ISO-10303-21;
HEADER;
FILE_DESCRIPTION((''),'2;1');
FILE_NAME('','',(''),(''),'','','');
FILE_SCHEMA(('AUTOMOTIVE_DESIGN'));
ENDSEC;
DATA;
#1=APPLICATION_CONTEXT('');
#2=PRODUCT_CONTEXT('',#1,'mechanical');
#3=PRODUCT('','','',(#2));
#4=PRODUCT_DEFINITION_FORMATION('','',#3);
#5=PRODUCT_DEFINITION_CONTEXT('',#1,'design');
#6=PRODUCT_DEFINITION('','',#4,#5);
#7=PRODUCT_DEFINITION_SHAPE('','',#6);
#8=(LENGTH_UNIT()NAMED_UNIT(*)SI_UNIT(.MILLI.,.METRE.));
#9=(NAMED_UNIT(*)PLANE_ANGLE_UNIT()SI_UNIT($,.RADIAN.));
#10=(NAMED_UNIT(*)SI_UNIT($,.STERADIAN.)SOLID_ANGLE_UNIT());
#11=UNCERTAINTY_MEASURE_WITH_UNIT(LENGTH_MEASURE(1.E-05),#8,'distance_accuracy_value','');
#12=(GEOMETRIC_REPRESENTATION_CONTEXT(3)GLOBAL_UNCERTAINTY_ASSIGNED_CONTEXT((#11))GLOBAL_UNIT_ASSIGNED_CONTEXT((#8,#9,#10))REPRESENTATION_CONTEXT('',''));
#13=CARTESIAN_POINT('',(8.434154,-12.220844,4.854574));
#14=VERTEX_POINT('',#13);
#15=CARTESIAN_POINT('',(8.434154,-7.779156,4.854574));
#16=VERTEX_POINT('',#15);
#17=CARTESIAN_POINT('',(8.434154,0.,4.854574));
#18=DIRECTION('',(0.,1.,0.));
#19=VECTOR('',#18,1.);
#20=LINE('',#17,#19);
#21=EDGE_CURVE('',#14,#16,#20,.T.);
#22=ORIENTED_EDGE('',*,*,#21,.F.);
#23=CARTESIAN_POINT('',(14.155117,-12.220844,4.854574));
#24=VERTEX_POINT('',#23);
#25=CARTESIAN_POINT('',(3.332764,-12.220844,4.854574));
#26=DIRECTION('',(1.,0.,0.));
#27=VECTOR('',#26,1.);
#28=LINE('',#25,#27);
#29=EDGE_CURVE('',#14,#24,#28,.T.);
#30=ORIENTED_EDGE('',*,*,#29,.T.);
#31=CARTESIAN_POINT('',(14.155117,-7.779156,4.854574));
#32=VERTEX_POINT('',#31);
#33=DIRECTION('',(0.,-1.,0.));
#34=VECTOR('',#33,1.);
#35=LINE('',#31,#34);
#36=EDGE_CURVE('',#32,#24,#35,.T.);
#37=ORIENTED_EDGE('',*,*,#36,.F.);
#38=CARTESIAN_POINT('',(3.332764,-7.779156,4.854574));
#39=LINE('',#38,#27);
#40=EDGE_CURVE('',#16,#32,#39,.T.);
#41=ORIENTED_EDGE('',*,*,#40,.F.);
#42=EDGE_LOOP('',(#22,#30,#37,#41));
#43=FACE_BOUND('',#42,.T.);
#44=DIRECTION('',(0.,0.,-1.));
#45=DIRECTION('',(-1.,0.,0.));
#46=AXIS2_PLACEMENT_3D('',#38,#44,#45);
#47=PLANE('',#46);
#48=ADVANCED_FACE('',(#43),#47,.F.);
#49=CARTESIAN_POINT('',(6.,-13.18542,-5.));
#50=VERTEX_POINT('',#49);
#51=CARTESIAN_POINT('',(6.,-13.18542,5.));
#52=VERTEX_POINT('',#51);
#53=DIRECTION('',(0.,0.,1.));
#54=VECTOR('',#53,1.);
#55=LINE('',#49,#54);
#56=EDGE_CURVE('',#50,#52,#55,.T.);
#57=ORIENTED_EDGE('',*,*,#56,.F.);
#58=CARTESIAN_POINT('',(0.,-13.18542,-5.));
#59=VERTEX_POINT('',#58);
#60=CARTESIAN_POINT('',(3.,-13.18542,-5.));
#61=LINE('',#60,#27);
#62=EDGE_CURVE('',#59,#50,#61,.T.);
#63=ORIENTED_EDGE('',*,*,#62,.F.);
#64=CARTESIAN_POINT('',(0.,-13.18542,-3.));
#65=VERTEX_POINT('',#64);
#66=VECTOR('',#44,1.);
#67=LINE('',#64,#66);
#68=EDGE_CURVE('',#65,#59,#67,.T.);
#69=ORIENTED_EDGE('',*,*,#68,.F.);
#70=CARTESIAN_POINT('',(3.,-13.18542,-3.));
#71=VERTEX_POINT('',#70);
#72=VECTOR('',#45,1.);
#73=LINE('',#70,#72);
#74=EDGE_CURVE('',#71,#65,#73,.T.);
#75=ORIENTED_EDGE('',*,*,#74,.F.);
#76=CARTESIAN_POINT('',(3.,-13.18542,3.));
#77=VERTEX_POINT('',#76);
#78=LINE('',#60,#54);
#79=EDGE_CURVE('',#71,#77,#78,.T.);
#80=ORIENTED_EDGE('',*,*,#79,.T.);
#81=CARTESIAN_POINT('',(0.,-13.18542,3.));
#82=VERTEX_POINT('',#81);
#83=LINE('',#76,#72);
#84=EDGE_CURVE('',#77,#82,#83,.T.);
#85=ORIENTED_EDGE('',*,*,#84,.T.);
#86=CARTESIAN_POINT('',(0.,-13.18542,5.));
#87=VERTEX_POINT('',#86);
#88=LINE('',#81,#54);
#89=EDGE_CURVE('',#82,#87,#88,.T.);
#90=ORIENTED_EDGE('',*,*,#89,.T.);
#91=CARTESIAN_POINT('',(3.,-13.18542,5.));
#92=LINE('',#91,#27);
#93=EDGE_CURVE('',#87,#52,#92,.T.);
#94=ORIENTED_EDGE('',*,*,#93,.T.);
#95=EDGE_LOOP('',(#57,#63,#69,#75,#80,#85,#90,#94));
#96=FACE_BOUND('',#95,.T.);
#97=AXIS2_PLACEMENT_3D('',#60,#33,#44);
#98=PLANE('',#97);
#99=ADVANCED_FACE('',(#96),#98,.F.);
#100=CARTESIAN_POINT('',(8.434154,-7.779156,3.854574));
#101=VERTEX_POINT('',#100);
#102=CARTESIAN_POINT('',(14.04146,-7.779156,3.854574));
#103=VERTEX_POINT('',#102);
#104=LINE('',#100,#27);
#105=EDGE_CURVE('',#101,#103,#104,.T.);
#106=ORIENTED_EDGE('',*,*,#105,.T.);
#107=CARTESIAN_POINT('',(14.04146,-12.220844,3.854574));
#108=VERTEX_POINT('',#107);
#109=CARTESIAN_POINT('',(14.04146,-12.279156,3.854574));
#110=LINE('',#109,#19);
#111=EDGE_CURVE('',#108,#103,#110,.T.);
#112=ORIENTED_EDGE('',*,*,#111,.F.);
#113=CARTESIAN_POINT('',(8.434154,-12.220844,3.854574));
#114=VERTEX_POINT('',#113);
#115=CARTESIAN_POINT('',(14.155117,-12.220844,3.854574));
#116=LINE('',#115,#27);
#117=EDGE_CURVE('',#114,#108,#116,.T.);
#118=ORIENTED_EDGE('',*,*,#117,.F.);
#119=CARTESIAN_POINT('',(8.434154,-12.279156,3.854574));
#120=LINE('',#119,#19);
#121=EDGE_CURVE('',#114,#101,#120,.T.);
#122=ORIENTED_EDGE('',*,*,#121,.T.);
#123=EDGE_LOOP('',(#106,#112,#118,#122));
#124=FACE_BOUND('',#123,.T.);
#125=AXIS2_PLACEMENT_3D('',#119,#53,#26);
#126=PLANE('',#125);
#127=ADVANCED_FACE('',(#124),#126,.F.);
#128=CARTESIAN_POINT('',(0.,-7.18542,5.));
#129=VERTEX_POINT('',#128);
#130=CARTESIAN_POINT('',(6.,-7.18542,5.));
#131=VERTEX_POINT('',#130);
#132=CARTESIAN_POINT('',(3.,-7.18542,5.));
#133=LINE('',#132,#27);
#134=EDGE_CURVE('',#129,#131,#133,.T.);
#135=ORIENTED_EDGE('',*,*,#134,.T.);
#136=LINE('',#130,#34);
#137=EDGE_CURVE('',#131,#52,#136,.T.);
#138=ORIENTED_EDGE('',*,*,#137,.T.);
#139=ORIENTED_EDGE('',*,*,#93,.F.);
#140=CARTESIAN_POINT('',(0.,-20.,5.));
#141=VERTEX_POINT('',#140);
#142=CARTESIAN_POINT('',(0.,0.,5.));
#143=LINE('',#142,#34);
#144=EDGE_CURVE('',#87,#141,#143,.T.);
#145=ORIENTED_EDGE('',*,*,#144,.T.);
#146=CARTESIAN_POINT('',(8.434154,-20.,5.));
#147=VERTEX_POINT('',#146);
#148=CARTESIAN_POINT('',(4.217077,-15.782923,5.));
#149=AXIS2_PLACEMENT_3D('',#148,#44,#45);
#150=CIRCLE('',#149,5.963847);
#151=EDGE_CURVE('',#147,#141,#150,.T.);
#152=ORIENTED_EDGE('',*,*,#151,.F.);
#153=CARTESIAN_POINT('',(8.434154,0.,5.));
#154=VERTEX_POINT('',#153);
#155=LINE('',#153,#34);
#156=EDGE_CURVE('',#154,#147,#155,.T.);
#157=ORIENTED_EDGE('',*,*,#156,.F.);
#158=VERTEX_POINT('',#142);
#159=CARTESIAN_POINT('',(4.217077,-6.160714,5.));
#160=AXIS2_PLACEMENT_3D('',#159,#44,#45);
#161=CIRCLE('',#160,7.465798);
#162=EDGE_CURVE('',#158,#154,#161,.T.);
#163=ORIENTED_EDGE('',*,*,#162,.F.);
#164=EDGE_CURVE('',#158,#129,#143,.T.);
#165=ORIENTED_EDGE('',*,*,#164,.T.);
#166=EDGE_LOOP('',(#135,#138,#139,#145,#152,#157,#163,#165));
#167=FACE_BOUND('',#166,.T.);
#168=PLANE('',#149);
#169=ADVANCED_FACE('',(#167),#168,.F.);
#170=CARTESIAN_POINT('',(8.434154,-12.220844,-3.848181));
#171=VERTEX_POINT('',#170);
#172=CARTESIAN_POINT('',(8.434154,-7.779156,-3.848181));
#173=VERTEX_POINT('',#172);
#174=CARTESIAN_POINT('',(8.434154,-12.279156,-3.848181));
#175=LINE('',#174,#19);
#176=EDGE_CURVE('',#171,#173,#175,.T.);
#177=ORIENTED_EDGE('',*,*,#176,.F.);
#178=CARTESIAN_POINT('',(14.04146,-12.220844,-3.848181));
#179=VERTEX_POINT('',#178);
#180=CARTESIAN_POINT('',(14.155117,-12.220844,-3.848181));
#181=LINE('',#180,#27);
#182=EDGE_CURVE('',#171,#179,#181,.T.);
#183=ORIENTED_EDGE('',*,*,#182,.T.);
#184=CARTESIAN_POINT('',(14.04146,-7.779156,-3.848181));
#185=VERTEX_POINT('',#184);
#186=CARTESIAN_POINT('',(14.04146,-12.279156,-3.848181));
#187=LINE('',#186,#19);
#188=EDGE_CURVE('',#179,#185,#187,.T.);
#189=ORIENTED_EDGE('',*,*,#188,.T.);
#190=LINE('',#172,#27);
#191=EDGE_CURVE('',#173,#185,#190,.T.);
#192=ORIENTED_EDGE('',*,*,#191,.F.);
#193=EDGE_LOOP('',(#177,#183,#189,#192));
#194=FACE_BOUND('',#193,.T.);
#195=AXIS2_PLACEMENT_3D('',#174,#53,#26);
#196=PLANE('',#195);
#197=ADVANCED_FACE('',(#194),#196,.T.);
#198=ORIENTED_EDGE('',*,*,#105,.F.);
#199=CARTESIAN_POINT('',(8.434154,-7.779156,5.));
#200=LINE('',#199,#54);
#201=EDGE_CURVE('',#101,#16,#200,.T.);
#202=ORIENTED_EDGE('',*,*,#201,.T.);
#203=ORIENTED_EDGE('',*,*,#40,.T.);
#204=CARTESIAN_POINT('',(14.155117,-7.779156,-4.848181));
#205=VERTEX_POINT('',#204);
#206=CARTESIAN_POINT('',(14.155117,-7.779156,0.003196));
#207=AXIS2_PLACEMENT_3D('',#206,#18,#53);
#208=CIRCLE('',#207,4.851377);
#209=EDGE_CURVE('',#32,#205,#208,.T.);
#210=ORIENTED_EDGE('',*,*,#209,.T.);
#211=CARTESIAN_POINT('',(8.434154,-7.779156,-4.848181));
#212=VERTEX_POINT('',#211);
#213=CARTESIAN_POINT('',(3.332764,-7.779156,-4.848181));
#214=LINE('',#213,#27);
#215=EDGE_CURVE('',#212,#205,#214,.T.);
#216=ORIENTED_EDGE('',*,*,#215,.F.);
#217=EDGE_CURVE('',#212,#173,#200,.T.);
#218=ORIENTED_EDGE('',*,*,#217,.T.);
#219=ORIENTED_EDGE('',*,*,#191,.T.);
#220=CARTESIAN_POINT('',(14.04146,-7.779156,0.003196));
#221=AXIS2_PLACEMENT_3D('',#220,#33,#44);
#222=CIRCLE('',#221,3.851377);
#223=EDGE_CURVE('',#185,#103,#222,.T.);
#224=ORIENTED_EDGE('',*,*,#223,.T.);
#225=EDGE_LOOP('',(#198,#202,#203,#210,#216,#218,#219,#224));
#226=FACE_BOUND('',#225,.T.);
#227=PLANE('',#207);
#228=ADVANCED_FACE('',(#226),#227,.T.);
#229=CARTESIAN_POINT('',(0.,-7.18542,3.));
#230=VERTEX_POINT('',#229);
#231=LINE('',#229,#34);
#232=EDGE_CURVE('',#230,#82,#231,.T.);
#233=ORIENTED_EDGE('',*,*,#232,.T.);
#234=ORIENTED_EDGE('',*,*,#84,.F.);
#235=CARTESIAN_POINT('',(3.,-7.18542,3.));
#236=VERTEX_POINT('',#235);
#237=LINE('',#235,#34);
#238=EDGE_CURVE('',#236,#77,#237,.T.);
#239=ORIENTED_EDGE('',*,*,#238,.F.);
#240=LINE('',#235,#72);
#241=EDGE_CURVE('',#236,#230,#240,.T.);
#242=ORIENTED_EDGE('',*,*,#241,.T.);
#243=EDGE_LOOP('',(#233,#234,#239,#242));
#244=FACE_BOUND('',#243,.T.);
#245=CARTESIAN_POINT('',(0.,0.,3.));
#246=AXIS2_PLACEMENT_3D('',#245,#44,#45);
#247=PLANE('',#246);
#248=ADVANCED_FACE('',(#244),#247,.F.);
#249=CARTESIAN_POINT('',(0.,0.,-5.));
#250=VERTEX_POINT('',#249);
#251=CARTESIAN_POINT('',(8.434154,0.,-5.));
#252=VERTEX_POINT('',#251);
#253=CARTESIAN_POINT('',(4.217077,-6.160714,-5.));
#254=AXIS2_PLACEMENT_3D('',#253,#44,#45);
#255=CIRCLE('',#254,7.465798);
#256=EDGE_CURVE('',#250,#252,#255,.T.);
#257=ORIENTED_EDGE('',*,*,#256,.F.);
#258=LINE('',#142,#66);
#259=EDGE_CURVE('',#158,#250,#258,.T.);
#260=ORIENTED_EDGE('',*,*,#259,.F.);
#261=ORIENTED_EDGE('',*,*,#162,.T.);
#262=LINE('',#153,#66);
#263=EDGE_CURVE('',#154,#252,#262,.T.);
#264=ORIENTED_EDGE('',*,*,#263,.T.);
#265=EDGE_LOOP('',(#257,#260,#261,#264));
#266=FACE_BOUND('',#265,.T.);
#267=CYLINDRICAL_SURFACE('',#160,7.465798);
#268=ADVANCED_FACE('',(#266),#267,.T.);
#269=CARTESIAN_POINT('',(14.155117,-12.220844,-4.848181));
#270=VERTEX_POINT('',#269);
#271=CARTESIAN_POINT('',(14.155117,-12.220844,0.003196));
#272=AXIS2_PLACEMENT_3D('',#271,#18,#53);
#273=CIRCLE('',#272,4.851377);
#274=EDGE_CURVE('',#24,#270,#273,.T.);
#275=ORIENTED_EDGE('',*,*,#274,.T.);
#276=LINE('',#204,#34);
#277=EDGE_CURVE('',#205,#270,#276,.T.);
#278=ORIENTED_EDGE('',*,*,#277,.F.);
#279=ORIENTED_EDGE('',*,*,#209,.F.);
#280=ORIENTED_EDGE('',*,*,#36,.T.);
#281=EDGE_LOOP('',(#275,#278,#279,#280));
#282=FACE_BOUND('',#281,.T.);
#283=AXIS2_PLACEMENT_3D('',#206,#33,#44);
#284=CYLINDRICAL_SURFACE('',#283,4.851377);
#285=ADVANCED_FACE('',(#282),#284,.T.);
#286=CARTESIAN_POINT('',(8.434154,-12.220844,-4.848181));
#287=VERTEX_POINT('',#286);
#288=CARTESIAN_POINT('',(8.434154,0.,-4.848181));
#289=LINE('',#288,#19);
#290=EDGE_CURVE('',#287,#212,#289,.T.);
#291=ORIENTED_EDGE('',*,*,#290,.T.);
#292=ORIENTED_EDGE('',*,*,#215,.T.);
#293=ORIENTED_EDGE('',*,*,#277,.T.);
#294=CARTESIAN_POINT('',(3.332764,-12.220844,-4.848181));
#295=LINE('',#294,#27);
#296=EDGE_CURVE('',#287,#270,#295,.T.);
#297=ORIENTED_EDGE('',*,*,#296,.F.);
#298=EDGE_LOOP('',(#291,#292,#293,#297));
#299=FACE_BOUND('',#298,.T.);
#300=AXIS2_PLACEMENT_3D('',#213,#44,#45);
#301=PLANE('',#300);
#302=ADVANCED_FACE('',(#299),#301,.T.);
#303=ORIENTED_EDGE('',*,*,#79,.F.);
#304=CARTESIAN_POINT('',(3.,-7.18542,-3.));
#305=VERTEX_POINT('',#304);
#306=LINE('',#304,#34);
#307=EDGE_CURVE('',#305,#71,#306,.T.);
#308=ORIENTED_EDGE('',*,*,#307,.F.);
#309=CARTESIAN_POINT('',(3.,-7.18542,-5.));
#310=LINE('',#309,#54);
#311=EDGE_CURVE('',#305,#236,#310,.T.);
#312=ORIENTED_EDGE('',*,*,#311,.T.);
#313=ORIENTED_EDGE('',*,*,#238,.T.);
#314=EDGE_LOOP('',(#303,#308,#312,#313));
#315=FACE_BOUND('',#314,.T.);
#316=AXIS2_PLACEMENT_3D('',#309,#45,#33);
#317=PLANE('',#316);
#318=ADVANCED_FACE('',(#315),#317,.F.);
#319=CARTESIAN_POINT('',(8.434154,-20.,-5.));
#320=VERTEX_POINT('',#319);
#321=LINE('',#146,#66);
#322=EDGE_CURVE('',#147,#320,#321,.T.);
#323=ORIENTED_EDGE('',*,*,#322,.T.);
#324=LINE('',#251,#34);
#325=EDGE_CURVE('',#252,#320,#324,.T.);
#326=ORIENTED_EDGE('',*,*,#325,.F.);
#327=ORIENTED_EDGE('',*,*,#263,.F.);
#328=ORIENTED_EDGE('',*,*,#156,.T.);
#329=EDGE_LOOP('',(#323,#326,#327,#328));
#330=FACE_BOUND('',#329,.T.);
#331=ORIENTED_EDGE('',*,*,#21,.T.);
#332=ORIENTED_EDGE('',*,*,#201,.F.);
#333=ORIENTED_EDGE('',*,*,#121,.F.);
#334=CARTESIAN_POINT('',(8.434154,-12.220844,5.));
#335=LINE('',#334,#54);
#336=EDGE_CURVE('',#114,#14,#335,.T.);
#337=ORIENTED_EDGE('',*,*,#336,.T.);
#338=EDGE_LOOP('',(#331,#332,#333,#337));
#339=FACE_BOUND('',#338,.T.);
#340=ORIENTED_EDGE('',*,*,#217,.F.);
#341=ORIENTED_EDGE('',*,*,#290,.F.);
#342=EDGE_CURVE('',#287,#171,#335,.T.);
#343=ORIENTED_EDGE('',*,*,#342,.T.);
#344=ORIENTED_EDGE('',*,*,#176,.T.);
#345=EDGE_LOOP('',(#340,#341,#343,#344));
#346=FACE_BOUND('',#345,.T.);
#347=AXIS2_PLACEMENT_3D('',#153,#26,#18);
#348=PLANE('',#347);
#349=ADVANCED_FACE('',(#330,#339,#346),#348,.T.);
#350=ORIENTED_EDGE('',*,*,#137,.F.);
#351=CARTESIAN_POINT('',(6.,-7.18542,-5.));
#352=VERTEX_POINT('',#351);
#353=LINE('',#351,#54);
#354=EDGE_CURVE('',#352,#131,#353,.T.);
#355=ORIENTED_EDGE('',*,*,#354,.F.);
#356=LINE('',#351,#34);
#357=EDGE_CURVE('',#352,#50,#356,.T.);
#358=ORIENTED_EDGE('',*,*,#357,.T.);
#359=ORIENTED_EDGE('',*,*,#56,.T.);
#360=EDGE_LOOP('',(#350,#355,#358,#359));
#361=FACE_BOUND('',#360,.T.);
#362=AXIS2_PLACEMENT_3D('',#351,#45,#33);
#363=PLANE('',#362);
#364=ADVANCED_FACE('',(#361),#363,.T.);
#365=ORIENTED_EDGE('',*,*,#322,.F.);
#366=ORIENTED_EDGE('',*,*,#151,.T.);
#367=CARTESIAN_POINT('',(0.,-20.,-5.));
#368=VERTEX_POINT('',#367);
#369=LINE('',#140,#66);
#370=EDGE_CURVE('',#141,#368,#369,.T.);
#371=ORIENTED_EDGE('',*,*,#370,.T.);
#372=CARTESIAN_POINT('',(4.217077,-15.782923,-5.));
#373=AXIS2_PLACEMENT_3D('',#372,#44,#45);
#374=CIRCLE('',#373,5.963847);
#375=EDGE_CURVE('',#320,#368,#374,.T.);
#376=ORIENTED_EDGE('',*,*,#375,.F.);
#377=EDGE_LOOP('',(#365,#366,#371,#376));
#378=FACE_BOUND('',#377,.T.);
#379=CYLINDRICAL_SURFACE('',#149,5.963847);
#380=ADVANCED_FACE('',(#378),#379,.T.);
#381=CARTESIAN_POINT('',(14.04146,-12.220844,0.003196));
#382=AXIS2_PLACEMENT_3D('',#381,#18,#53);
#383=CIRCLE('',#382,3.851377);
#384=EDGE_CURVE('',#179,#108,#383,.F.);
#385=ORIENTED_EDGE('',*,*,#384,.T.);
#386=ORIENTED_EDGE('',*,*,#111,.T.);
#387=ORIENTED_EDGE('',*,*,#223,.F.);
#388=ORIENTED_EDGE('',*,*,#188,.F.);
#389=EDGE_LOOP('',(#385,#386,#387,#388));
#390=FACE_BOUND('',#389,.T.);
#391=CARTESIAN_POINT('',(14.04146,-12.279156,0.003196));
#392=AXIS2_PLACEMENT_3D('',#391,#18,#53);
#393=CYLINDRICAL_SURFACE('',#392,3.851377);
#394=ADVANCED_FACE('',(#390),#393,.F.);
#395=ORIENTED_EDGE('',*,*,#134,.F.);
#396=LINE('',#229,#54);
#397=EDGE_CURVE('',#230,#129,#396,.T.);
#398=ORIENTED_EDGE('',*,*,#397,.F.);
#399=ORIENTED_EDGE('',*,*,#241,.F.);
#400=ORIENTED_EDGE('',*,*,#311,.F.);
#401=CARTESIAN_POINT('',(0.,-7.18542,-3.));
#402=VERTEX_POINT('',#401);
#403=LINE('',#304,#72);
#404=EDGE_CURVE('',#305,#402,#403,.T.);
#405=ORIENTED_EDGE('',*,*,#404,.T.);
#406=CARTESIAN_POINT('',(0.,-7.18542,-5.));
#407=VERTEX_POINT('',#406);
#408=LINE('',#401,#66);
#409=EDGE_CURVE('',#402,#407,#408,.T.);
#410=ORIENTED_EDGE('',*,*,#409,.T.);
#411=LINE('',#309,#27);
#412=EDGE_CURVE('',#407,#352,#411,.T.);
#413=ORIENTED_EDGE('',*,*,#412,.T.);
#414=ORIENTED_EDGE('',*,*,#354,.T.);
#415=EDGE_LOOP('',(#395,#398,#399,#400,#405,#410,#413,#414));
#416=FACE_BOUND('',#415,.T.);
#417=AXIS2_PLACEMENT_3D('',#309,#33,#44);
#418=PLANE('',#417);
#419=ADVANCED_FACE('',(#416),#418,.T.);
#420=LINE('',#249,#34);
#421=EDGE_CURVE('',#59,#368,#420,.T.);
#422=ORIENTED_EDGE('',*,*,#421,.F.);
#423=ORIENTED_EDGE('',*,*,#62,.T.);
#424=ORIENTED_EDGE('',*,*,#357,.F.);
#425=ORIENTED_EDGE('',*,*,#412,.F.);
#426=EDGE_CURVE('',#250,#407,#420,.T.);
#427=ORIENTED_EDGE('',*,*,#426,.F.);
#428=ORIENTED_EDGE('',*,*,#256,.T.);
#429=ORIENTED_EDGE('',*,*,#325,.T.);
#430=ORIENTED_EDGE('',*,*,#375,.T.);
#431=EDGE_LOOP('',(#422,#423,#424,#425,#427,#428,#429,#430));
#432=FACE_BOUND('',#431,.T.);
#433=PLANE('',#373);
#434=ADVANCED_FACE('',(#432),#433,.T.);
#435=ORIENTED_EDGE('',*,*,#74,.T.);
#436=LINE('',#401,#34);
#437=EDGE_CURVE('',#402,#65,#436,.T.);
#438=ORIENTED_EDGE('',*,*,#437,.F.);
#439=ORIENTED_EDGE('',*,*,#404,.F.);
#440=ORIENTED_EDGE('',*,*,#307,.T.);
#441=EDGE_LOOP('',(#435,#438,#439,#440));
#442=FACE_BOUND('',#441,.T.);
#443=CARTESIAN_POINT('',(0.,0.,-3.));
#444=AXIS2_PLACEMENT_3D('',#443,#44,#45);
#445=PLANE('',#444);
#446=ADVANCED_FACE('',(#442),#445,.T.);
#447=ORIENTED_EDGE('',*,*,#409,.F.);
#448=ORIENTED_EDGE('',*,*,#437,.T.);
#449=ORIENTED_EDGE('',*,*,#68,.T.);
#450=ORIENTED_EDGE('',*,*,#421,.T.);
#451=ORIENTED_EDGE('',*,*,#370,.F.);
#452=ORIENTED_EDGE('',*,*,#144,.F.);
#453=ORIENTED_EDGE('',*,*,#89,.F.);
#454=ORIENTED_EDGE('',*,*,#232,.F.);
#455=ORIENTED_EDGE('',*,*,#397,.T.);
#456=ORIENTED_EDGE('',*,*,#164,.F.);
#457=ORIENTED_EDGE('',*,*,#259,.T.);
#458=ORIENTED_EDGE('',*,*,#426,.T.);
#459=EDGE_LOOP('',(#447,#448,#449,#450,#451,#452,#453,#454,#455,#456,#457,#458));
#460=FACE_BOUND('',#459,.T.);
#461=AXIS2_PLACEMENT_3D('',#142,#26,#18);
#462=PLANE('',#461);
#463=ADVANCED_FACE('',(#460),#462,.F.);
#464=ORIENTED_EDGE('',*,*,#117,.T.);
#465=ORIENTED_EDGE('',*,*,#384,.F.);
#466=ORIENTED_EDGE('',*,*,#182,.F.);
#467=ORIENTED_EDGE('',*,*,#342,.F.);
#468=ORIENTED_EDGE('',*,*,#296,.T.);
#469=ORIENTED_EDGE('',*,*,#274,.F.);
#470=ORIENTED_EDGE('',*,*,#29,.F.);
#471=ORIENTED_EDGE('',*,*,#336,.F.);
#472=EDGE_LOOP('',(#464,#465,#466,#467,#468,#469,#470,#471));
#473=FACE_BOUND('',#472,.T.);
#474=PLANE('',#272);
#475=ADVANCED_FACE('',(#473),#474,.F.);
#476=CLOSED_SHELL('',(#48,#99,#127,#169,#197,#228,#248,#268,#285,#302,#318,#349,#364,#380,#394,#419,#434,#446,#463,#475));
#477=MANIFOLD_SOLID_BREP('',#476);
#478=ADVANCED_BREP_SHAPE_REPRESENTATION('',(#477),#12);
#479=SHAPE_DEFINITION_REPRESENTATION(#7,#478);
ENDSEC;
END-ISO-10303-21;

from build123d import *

# Parameters (mm, degrees)
EXTRUDE_1_DEPTH     = 5
EXTRUDE_7_DEPTH     = 2.220844282
CUT_EXTRUDE_5_DEPTH = 4.5
SKETCH_22_W         = 3
SKETCH_22_H         = 6
CUT_EXTRUDE_7_DEPTH = 10
SKETCH_24_W         = 3
SKETCH_24_H         = 6
CUT_EXTRUDE_8_DEPTH = 2
SKETCH_25_W         = 3
SKETCH_25_H         = 6
CUT_EXTRUDE_9_DEPTH = 2


with BuildPart() as part:
    # 草圖1 → 填料-伸長1 (new, symmetric)
    with BuildSketch(Plane.XY):
        with BuildLine():
            Line((0, 0), (0, -20))
            ThreePointArc((0, -20), (4.217076995, -21.746770485), (8.434153991, -20))
            Line((8.434153991, -20), (8.434153991, 0))
            ThreePointArc((8.434153991, 0), (4.217076995, 1.305083655), (0, 0))
        make_face()
    extrude(amount=EXTRUDE_1_DEPTH, both=True)

    # 草圖19 → 填料-伸長7 (add, symmetric)
    with BuildSketch(Plane(origin=(-5.031859453, -10, 0), x_dir=(1, 0, 0), z_dir=(0, 1, 0))):
        with BuildLine():
            Line((8.364623855, 4.848181061), (19.186976182, 4.848181061))
            ThreePointArc((19.186976182, 4.848181061), (24.038353521, -0.003196277), (19.186976182, -4.854573616))
            Line((19.186976182, -4.854573616), (8.364623855, -4.854573616))
            Line((8.364623855, -4.854573616), (8.364623855, 4.848181061))
        make_face()
    extrude(amount=EXTRUDE_7_DEPTH, both=True)

    # 草圖21 → 除料-伸長5 (cut)
    with BuildSketch(Plane(origin=(0, -7.779155718, 0), x_dir=(1, 0, 0), z_dir=(0, 1, 0))):
        with BuildLine():
            Line((8.434153991, 3.848181061), (14.041459842, 3.848181061))
            ThreePointArc((14.041459842, 3.848181061), (17.892837181, -0.003196277), (14.041459842, -3.854573616))
            Line((14.041459842, -3.854573616), (8.434153991, -3.854573616))
            Line((8.434153991, -3.854573616), (8.434153991, 3.848181061))
        make_face()
    extrude(amount=-CUT_EXTRUDE_5_DEPTH, mode=Mode.SUBTRACT)

    # 草圖22 → 除料-伸長7 (cut)
    with BuildSketch(Plane.XY.offset(5)):
        with Locations((4.5, -10.185420111)):
            Rectangle(SKETCH_22_W, SKETCH_22_H)
    extrude(amount=-CUT_EXTRUDE_7_DEPTH, mode=Mode.SUBTRACT)

    # 草圖24 → 除料-伸長8 (cut)
    with BuildSketch(Plane(origin=(0, 0, -5), x_dir=(-1, 0, 0), z_dir=(0, 0, -1))):
        with Locations((-1.5, -10.185420111)):
            Rectangle(SKETCH_24_W, SKETCH_24_H)
    extrude(amount=-CUT_EXTRUDE_8_DEPTH, mode=Mode.SUBTRACT)

    # 草圖25 → 除料-伸長9 (cut)
    with BuildSketch(Plane.XY.offset(5)):
        with Locations((1.5, -10.185420111)):
            Rectangle(SKETCH_25_W, SKETCH_25_H)
    extrude(amount=-CUT_EXTRUDE_9_DEPTH, mode=Mode.SUBTRACT)


solid = part.part
